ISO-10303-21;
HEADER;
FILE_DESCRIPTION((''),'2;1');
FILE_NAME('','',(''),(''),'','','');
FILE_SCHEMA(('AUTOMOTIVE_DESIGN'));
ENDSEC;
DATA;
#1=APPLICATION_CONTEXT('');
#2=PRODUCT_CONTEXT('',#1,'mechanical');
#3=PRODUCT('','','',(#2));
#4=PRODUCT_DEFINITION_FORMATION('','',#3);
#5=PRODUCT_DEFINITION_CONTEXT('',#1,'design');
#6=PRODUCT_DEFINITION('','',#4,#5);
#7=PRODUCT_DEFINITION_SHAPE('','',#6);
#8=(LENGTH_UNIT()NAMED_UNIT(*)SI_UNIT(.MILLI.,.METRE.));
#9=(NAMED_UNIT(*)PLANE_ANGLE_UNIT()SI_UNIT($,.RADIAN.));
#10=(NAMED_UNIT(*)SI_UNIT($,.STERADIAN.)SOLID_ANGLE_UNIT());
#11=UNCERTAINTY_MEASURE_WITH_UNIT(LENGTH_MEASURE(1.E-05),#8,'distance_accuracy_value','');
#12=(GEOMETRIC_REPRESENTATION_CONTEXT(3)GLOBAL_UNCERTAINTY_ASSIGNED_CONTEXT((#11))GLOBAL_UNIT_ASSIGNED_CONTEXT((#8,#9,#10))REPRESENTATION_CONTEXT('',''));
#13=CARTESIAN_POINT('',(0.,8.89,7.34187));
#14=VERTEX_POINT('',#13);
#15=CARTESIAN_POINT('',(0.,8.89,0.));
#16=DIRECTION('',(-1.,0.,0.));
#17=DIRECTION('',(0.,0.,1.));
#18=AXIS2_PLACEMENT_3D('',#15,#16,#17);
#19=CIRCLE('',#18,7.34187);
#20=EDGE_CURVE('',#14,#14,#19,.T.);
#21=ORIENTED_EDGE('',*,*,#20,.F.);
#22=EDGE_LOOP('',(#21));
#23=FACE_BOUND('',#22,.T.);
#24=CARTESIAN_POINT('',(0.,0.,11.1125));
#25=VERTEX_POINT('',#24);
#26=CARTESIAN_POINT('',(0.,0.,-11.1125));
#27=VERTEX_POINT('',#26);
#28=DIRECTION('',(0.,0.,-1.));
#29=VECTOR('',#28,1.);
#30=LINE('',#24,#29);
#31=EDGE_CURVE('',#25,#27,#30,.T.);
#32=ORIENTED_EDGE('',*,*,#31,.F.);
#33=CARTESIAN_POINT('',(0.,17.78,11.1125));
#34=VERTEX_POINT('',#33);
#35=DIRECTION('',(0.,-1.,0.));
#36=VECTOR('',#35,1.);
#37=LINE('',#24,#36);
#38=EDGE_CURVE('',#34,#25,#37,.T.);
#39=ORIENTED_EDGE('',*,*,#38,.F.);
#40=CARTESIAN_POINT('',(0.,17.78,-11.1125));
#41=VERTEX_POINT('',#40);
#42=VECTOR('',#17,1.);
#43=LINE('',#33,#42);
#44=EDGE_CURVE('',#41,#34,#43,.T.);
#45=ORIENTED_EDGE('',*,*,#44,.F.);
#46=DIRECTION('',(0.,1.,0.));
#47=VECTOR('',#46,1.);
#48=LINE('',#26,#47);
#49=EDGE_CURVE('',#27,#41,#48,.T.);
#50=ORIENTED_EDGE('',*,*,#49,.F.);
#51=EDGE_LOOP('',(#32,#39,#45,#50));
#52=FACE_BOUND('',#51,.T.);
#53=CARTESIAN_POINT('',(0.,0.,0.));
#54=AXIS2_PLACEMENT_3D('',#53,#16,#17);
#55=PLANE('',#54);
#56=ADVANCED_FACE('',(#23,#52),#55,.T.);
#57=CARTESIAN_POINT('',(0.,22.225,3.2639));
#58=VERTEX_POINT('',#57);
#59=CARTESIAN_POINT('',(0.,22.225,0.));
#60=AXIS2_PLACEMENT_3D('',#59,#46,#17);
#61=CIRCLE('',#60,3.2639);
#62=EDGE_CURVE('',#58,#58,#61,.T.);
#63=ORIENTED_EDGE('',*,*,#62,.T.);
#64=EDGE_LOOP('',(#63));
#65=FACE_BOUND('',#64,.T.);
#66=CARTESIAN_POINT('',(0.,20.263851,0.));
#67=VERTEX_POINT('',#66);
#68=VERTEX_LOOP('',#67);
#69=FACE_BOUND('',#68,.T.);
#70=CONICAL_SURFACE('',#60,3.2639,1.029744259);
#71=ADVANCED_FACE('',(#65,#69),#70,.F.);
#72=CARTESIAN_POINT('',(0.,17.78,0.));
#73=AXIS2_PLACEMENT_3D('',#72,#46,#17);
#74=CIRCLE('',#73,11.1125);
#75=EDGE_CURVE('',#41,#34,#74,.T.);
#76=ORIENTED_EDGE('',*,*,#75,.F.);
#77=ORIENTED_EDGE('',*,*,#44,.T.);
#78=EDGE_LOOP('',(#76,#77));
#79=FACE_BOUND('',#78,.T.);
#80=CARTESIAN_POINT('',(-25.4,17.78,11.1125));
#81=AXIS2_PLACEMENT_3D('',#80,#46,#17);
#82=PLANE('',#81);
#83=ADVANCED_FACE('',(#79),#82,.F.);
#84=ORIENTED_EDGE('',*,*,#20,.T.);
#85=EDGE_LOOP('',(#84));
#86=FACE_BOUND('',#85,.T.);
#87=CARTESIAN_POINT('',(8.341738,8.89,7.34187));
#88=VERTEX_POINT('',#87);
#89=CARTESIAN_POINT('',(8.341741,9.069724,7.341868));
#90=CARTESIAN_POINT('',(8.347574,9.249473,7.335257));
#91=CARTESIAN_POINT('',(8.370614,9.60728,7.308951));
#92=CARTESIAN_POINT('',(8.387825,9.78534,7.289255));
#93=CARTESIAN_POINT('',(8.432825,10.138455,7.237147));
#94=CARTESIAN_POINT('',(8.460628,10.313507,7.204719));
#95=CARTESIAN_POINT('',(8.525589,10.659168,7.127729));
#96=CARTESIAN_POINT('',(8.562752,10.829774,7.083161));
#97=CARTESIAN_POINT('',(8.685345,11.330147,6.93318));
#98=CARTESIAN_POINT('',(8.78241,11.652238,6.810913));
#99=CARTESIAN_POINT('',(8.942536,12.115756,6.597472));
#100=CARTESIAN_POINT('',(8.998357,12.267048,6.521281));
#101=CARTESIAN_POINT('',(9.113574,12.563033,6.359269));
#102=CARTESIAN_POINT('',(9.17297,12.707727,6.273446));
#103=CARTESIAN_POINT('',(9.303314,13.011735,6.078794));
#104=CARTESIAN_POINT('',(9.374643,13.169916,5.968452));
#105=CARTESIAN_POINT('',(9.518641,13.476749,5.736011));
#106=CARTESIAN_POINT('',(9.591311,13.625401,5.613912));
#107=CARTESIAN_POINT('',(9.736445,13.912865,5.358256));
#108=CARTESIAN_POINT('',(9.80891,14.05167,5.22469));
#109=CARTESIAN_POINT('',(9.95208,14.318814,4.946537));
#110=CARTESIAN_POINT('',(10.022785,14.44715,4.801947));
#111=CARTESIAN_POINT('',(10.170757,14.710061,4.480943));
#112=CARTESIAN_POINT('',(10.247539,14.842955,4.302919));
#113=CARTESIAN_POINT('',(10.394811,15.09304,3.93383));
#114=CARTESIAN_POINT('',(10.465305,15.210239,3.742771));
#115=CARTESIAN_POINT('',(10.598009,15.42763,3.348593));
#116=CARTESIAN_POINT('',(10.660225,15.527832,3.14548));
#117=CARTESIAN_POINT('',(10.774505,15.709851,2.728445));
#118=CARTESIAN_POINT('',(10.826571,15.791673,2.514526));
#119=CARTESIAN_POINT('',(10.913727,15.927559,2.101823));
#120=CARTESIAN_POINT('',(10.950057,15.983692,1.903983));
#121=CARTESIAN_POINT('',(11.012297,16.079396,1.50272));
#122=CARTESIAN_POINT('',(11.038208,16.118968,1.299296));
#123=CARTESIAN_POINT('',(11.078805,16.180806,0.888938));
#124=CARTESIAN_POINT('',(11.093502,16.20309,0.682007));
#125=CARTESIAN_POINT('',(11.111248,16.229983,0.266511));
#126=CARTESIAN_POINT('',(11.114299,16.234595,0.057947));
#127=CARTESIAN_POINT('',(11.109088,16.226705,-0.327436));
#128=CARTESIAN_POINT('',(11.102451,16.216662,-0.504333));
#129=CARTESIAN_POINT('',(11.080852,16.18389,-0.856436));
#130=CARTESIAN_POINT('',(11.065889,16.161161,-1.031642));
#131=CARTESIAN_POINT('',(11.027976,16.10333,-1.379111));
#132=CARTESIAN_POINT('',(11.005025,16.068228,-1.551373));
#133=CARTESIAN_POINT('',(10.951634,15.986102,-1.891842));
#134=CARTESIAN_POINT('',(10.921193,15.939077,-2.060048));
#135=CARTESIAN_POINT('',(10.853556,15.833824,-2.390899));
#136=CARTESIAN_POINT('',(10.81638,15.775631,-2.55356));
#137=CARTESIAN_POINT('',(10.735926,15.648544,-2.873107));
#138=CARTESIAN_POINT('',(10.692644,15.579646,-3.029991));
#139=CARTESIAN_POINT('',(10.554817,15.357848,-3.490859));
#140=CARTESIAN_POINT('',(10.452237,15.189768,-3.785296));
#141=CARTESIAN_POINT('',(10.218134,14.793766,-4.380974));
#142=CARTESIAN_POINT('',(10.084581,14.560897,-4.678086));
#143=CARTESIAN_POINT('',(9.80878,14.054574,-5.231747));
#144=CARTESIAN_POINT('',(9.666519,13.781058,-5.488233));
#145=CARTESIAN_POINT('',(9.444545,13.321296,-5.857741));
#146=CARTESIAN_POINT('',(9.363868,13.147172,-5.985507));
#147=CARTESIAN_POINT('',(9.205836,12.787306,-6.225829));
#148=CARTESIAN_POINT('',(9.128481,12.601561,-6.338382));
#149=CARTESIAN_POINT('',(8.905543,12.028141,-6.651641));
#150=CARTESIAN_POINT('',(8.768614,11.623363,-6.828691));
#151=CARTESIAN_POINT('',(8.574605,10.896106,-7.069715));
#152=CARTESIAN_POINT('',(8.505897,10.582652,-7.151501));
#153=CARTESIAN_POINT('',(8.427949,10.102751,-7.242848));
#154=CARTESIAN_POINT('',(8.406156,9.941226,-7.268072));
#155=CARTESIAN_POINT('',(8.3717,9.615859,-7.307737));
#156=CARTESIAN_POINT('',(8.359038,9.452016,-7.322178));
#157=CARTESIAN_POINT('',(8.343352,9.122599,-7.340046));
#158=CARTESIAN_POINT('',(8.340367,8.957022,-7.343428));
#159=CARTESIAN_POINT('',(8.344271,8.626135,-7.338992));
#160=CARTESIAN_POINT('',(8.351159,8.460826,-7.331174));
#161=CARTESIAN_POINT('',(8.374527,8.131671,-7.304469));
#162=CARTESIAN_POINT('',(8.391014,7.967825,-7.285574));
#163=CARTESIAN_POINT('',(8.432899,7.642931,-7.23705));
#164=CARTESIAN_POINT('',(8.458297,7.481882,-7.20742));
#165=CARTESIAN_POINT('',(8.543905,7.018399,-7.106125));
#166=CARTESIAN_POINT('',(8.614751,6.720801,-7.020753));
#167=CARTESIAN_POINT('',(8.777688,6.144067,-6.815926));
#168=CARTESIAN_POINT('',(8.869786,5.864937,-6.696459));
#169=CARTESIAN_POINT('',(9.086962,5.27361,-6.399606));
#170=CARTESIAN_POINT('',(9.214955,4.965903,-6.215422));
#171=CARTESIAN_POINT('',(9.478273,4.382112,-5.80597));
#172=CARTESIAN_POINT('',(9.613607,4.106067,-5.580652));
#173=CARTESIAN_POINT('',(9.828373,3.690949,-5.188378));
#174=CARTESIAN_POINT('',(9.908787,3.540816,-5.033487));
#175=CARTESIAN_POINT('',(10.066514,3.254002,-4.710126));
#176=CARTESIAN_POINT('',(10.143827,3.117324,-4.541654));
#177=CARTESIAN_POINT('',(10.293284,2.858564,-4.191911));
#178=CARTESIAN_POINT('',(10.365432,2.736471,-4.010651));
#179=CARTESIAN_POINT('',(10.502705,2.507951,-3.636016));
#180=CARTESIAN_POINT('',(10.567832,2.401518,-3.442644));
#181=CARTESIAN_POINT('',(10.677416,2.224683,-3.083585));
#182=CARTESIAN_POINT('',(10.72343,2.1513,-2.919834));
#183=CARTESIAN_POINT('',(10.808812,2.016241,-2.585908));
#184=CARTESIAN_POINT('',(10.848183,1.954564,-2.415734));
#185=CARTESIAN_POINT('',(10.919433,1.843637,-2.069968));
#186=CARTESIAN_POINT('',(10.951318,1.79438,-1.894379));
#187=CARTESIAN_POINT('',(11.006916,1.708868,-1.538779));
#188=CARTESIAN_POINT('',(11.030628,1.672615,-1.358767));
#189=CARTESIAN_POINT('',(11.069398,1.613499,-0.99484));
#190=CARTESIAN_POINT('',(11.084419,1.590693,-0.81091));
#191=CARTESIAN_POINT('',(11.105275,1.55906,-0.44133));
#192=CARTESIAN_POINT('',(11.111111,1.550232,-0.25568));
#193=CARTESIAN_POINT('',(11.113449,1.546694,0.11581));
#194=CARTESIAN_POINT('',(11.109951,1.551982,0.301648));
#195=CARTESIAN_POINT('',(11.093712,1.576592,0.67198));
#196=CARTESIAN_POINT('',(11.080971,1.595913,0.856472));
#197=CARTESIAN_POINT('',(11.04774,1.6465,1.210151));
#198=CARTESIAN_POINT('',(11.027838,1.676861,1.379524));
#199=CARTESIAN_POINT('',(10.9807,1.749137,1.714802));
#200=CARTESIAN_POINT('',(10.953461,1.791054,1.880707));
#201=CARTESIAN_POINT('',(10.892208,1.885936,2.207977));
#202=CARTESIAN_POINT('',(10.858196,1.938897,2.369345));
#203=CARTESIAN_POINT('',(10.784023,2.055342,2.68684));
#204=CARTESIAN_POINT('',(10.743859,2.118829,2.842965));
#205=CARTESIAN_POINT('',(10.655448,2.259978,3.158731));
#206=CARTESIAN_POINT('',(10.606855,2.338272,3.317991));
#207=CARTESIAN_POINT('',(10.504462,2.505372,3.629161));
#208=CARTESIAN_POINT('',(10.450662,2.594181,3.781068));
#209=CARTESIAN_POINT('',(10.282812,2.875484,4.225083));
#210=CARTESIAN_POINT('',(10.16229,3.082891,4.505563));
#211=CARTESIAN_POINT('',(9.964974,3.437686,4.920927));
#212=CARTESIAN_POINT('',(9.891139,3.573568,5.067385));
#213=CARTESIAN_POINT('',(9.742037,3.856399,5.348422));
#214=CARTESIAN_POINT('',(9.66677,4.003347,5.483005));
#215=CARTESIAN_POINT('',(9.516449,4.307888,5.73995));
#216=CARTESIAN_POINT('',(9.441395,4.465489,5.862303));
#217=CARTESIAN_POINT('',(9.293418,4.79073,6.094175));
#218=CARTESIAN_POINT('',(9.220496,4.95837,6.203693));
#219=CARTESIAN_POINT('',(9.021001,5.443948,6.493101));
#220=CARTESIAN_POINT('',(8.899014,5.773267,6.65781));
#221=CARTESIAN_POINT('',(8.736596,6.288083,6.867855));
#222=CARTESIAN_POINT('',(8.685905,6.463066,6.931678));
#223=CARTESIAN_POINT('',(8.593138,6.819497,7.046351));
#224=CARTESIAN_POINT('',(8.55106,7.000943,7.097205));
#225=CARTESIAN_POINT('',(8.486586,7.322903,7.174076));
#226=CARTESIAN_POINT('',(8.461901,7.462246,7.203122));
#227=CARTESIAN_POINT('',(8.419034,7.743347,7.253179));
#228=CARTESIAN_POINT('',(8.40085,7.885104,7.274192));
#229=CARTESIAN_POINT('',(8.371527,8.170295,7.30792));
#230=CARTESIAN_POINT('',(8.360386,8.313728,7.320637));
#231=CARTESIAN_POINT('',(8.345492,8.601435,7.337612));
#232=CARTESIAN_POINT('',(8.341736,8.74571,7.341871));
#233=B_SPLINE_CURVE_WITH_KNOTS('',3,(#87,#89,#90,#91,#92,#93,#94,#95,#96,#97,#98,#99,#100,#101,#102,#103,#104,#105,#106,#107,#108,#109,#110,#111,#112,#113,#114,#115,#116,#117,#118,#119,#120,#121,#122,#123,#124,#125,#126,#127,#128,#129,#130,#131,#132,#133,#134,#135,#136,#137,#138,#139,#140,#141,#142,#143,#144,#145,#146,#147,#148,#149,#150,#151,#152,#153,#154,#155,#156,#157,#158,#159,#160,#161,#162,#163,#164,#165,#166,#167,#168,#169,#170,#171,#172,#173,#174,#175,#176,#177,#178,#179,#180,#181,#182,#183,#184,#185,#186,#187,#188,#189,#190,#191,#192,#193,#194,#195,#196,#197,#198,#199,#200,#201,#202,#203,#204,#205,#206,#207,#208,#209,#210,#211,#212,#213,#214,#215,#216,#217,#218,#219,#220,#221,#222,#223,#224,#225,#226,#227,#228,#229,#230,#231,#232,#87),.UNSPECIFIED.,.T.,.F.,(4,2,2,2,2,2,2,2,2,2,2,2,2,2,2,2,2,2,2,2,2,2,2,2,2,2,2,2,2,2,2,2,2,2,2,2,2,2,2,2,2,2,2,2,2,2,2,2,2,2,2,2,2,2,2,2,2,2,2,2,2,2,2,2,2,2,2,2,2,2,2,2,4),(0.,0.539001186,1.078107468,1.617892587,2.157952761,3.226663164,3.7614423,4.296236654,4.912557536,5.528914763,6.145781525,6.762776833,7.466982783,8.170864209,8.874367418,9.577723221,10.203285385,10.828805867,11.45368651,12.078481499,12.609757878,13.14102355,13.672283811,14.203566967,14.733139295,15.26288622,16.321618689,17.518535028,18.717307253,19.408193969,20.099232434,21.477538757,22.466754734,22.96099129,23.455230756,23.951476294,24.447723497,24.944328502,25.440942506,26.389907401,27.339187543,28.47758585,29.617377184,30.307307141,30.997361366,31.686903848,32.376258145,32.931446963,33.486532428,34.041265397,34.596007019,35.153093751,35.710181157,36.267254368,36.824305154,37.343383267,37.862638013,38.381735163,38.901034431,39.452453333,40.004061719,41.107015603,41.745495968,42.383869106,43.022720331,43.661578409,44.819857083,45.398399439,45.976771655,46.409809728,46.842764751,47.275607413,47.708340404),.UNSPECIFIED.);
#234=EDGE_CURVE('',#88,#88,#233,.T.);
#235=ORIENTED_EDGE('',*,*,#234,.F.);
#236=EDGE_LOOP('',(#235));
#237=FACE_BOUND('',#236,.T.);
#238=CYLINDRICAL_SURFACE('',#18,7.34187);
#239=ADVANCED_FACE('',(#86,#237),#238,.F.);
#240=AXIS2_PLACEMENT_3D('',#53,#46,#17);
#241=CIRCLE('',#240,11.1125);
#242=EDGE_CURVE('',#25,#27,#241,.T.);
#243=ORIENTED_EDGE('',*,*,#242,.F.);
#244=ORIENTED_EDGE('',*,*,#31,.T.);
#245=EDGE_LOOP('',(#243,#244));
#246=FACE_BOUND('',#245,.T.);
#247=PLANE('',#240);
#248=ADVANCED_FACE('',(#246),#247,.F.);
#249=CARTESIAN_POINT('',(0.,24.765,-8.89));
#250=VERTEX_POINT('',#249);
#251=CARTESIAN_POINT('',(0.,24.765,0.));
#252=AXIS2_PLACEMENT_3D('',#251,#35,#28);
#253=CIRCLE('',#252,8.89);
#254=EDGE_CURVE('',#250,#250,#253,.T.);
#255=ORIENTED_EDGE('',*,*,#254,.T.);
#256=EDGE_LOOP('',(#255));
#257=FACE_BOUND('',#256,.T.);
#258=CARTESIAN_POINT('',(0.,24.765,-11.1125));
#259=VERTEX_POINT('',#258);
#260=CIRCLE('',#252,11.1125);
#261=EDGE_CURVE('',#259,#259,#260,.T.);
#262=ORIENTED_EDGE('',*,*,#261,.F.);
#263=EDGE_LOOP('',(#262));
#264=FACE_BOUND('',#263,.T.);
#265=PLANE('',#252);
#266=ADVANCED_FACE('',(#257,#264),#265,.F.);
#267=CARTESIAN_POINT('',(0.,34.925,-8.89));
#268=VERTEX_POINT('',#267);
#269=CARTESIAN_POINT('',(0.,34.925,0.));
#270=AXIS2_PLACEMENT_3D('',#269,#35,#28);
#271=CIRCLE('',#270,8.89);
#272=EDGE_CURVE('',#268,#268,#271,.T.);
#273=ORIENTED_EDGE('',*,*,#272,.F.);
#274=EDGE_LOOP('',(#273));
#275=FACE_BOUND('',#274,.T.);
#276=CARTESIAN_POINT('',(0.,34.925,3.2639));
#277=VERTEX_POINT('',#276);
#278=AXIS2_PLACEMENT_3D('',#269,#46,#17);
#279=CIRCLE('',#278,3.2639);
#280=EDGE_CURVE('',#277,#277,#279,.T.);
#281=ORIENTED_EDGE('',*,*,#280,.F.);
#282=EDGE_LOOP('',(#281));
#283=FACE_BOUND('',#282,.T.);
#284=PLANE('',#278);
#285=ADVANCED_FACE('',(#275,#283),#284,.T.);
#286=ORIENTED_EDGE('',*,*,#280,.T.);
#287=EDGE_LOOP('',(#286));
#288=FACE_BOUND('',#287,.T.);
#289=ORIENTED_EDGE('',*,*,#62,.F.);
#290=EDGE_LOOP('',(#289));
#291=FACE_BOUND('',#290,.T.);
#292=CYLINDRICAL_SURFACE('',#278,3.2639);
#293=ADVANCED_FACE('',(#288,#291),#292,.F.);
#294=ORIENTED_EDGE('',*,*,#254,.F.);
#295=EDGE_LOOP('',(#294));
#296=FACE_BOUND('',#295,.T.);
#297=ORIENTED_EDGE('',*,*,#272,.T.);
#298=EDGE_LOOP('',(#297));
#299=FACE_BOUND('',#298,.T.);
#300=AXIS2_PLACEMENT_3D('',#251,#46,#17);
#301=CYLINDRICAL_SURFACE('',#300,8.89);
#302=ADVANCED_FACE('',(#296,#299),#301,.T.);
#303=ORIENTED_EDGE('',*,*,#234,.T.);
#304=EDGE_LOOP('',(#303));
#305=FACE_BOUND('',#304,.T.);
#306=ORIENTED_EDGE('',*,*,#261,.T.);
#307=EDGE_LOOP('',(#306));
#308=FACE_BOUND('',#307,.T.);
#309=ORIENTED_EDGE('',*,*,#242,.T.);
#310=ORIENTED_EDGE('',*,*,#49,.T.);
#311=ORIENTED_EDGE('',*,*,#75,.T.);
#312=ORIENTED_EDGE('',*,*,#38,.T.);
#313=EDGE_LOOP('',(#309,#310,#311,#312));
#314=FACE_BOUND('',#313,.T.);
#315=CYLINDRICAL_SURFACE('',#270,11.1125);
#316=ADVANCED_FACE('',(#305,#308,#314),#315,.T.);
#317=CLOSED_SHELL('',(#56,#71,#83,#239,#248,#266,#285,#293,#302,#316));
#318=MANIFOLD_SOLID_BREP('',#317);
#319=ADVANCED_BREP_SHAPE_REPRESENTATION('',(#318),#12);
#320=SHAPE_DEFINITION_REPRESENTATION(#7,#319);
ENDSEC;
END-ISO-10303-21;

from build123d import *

# Parameters (mm, degrees)
CROQUIS1_R                     = 11.1125
SALIENTE_EXTRUIR1_DEPTH        = 34.925
CORTAR_EXTRUIR2_START          = 10.16
CROQUIS12_R                    = 11.1125
CROQUIS12_R_2                  = 8.89
CORTAR_EXTRUIR2_DEPTH          = 10.16
TALADRO_ROSCADO_5_16_181_D     = 6.5278
TALADRO_ROSCADO_5_16_181_DEPTH = 12.7
TALADRO_ROSCADO_5_16_181_TIP   = 1.961148974
CROQUIS6_W                     = 22.225
CROQUIS6_H                     = 17.78
CORTAR_EXTRUIR1_DEPTH          = 25.4
TALADRO_ROSCADO_5_8_181_D      = 14.68374
TALADRO_ROSCADO_5_8_181_DEPTH  = 38.7985
TALADRO_ROSCADO_5_8_181_TIP    = 4.411440553


with BuildPart() as part:
    # Croquis1 → Saliente-Extruir1 (new body)
    with BuildSketch(Plane(origin=(0, 0, 0), x_dir=(1, 0, 0), z_dir=(0, 1, 0))):
        with Locations(Location((0, 0, 0), (0, 0, 270))):
            Circle(CROQUIS1_R)
    extrude(amount=SALIENTE_EXTRUIR1_DEPTH)

    # Croquis12 → Cortar-Extruir2 (cut)
    with BuildSketch(Plane.XZ.offset(-34.925).offset(CORTAR_EXTRUIR2_START)):
        with Locations(Location((0, 0, 0), (0, 0, 270))):
            Circle(CROQUIS12_R)
        with Locations(Location((0, 0, 0), (0, 0, 270))):
            Circle(CROQUIS12_R_2, mode=Mode.SUBTRACT)
    extrude(amount=-CORTAR_EXTRUIR2_DEPTH, mode=Mode.SUBTRACT)

    # Taladro roscado 5/16-181
    with Locations(Plane(origin=(0, 34.925, 0), x_dir=(1, 0, 0), z_dir=(0, 1, 0))):
        with Locations((0, 0)):
            Hole(TALADRO_ROSCADO_5_16_181_D / 2, depth=TALADRO_ROSCADO_5_16_181_DEPTH)
            with Locations((0, 0, -(TALADRO_ROSCADO_5_16_181_DEPTH + TALADRO_ROSCADO_5_16_181_TIP / 2))):  # 118° drill point
                Cone(0, TALADRO_ROSCADO_5_16_181_D / 2, TALADRO_ROSCADO_5_16_181_TIP, mode=Mode.SUBTRACT)

    # Croquis6 → Cortar-Extruir1 (cut)
    with BuildSketch(Plane(origin=(0, 0, 0), x_dir=(0, 0, -1), z_dir=(1, 0, 0))):
        with Locations((0, 8.89)):
            Rectangle(CROQUIS6_W, CROQUIS6_H)
    extrude(amount=-CORTAR_EXTRUIR1_DEPTH, mode=Mode.SUBTRACT)

    # Taladro roscado 5/8-181
    with Locations(Plane.ZY):
        with Locations((0, 8.89)):
            Hole(TALADRO_ROSCADO_5_8_181_D / 2, depth=TALADRO_ROSCADO_5_8_181_DEPTH)
            with Locations((0, 0, -(TALADRO_ROSCADO_5_8_181_DEPTH + TALADRO_ROSCADO_5_8_181_TIP / 2))):  # 118° drill point
                Cone(0, TALADRO_ROSCADO_5_8_181_D / 2, TALADRO_ROSCADO_5_8_181_TIP, mode=Mode.SUBTRACT)


solid = part.part
